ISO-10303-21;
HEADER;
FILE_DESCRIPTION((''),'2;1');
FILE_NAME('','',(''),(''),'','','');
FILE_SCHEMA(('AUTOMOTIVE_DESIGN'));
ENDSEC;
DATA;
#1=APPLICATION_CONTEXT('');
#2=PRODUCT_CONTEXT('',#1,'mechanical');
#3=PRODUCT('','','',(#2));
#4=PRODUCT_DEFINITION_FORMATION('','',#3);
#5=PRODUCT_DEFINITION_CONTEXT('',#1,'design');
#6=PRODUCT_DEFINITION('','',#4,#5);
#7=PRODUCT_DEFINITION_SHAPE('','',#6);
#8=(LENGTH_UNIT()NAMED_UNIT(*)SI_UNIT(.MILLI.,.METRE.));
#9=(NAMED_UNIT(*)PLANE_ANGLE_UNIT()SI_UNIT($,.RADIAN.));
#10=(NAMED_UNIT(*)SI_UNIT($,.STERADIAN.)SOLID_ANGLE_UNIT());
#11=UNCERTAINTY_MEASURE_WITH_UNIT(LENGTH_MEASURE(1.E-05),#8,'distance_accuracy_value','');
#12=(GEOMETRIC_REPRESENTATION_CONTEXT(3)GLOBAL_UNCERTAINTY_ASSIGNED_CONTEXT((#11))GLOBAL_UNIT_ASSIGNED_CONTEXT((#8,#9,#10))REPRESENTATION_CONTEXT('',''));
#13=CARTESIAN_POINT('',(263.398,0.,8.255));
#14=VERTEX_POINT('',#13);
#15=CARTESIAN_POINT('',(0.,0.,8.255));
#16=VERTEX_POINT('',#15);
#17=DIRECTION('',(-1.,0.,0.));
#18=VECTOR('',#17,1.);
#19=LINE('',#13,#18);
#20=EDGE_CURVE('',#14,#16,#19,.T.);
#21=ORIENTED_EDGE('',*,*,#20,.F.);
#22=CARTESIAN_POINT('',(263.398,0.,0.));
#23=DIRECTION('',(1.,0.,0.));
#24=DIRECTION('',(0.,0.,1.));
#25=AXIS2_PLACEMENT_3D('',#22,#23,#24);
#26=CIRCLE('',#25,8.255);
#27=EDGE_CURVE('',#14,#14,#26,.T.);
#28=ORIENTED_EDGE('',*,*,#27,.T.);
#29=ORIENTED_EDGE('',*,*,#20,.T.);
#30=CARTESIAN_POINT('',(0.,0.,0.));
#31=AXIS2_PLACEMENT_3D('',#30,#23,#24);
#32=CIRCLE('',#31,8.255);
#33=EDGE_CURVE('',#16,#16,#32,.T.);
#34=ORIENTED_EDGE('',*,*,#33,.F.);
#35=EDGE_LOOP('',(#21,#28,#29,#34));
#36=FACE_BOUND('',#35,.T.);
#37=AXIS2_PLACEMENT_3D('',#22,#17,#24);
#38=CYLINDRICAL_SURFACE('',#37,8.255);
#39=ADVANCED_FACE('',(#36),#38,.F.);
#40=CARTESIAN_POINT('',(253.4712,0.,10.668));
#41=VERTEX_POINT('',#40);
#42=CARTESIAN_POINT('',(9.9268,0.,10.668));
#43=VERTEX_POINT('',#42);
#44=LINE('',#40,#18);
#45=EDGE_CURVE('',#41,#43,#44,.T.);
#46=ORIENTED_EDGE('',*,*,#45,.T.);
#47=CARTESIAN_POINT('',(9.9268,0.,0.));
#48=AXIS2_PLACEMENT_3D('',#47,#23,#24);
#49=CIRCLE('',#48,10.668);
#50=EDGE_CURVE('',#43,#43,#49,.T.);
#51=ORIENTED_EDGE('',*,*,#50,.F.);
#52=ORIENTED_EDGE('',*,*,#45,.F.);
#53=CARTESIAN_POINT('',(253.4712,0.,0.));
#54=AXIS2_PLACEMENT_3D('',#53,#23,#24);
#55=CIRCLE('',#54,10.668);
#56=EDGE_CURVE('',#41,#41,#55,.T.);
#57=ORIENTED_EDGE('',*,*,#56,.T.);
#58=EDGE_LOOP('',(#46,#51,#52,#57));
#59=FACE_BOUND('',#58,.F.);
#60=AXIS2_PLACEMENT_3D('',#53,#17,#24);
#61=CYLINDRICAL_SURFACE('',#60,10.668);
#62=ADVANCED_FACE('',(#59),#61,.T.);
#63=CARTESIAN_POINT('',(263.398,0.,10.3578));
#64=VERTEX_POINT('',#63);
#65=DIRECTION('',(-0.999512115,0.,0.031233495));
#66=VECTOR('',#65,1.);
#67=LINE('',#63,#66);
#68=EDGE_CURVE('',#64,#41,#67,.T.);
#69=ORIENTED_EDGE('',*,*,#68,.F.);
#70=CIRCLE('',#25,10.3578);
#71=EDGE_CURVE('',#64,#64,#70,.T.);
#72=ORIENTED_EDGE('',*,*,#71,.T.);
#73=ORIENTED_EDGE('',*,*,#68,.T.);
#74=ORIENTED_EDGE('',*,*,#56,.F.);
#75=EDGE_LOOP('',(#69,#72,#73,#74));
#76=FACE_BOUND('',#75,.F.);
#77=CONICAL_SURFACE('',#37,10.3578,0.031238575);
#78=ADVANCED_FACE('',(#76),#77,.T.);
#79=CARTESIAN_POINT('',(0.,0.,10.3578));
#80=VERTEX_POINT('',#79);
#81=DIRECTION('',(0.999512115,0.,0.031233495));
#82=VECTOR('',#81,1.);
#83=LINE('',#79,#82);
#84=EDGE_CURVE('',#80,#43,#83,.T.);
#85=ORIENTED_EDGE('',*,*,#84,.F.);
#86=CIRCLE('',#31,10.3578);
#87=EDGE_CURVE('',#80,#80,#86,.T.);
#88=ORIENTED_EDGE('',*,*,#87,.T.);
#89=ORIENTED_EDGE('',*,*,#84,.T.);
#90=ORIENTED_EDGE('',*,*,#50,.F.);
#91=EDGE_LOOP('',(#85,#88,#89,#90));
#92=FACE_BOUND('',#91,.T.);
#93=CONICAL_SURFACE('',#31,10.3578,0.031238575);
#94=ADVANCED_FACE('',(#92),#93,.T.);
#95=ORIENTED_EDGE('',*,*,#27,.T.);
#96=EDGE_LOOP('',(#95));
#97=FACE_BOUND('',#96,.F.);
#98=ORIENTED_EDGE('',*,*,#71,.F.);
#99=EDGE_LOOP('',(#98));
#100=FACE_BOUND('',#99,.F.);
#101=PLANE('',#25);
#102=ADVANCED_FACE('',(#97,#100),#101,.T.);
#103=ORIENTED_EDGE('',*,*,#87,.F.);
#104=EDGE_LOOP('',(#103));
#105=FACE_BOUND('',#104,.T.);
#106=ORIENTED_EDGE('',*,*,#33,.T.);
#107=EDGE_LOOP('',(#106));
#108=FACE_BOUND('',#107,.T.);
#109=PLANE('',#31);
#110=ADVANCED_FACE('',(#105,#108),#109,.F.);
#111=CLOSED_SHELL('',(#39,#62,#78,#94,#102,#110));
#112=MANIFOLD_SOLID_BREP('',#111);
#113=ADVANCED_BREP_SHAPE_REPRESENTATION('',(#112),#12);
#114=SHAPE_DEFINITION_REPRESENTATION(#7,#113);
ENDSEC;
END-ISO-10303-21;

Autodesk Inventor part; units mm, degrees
ref_plane "YZ Plane" through (0, 0, 0) normal (1, 0, 0) x (0, 1, 0)
ref_plane "XZ Plane" through (0, 0, 0) normal (0, 1, 0) x (-1, 0, 0)
ref_plane "XY Plane" through (0, 0, 0) normal (0, 0, 1) x (1, 0, 0)
sketch "Sketch1" plane through (0, 0, 0) normal (0, 1, 0) x (-1, 0, 0)
  line L0 (0, 0) -> (-263.398, 0)
  line L1 (-263.398, 0) -> (-263.398, 8.255) construction
  line L2 (-263.398, 8.255) -> (-263.398, 10.3578)
  line L3 (-263.398, 10.3578) -> (-253.4712, 10.668)
  line L4 (-253.4712, 10.668) -> (-9.9268, 10.668)
  line L5 (-131.699, 0) -> (-131.699, 10.668) construction
  line L6 (-263.398, 8.255) -> (0, 8.255)
  line L7 (0, 0) -> (0, 8.255) construction
  line L8 (0, 8.255) -> (0, 10.3578)
  line L9 (0, 10.3578) -> (-9.9268, 10.668)
  line L10 (-249.842, 10.7814) -> (-249.842, 0) construction
  line L11 (-13.556, 10.7814) -> (-13.556, 0) construction
  line L12 (-253.4712, 10.668) -> (-249.842, 10.7814) construction
  line L13 (-253.4712, 10.668) -> (-253.4712, 0) construction
  line L14 (-9.9268, 10.668) -> (-13.556, 10.7814) construction
  line L15 (-9.9268, 10.668) -> (-9.9268, 0) construction
  dimension "d0" = 21.336
  dimension "d1" = 1.79
  dimension "d2" = 16.51
  dimension "d3" = 263.398
  dimension "d4" = 13.556
  dimension "d5" = 21.5628
revolve "Revolution1" add sketch "Sketch1" angle 360 about axis through (0, 0, 0) along (1, 0, 0)
thread "Thread1" size "1/2" designation "1/2 - 14 NPT" standard "NPT" full length
thread "Thread2" size "1/2" designation "1/2 - 14 NPT" standard "NPT" full length
equation "\"d0\" = OD"
equation "\"d2\" = ID"
equation "\"d3\" = L"
equation "\"d4\" = L2"
equation "\"d5\" = D2"
equation "\"OD\" = 21.336"
equation "\"t\" = 2.413"
equation "\"L\" = PL"
equation "\"L4\" = 19.8501"
equation "\"ID\" = 16.51"
equation "\"PL\" = 263.398"
equation "\"D2\" = 21.56282"
equation "\"L2\" = 13.55598"
equation "\"Size_Designation\" = 1.2345"
equation "\"PLmin\" = 2 * L2"
properties material "Steel, Wrought"
